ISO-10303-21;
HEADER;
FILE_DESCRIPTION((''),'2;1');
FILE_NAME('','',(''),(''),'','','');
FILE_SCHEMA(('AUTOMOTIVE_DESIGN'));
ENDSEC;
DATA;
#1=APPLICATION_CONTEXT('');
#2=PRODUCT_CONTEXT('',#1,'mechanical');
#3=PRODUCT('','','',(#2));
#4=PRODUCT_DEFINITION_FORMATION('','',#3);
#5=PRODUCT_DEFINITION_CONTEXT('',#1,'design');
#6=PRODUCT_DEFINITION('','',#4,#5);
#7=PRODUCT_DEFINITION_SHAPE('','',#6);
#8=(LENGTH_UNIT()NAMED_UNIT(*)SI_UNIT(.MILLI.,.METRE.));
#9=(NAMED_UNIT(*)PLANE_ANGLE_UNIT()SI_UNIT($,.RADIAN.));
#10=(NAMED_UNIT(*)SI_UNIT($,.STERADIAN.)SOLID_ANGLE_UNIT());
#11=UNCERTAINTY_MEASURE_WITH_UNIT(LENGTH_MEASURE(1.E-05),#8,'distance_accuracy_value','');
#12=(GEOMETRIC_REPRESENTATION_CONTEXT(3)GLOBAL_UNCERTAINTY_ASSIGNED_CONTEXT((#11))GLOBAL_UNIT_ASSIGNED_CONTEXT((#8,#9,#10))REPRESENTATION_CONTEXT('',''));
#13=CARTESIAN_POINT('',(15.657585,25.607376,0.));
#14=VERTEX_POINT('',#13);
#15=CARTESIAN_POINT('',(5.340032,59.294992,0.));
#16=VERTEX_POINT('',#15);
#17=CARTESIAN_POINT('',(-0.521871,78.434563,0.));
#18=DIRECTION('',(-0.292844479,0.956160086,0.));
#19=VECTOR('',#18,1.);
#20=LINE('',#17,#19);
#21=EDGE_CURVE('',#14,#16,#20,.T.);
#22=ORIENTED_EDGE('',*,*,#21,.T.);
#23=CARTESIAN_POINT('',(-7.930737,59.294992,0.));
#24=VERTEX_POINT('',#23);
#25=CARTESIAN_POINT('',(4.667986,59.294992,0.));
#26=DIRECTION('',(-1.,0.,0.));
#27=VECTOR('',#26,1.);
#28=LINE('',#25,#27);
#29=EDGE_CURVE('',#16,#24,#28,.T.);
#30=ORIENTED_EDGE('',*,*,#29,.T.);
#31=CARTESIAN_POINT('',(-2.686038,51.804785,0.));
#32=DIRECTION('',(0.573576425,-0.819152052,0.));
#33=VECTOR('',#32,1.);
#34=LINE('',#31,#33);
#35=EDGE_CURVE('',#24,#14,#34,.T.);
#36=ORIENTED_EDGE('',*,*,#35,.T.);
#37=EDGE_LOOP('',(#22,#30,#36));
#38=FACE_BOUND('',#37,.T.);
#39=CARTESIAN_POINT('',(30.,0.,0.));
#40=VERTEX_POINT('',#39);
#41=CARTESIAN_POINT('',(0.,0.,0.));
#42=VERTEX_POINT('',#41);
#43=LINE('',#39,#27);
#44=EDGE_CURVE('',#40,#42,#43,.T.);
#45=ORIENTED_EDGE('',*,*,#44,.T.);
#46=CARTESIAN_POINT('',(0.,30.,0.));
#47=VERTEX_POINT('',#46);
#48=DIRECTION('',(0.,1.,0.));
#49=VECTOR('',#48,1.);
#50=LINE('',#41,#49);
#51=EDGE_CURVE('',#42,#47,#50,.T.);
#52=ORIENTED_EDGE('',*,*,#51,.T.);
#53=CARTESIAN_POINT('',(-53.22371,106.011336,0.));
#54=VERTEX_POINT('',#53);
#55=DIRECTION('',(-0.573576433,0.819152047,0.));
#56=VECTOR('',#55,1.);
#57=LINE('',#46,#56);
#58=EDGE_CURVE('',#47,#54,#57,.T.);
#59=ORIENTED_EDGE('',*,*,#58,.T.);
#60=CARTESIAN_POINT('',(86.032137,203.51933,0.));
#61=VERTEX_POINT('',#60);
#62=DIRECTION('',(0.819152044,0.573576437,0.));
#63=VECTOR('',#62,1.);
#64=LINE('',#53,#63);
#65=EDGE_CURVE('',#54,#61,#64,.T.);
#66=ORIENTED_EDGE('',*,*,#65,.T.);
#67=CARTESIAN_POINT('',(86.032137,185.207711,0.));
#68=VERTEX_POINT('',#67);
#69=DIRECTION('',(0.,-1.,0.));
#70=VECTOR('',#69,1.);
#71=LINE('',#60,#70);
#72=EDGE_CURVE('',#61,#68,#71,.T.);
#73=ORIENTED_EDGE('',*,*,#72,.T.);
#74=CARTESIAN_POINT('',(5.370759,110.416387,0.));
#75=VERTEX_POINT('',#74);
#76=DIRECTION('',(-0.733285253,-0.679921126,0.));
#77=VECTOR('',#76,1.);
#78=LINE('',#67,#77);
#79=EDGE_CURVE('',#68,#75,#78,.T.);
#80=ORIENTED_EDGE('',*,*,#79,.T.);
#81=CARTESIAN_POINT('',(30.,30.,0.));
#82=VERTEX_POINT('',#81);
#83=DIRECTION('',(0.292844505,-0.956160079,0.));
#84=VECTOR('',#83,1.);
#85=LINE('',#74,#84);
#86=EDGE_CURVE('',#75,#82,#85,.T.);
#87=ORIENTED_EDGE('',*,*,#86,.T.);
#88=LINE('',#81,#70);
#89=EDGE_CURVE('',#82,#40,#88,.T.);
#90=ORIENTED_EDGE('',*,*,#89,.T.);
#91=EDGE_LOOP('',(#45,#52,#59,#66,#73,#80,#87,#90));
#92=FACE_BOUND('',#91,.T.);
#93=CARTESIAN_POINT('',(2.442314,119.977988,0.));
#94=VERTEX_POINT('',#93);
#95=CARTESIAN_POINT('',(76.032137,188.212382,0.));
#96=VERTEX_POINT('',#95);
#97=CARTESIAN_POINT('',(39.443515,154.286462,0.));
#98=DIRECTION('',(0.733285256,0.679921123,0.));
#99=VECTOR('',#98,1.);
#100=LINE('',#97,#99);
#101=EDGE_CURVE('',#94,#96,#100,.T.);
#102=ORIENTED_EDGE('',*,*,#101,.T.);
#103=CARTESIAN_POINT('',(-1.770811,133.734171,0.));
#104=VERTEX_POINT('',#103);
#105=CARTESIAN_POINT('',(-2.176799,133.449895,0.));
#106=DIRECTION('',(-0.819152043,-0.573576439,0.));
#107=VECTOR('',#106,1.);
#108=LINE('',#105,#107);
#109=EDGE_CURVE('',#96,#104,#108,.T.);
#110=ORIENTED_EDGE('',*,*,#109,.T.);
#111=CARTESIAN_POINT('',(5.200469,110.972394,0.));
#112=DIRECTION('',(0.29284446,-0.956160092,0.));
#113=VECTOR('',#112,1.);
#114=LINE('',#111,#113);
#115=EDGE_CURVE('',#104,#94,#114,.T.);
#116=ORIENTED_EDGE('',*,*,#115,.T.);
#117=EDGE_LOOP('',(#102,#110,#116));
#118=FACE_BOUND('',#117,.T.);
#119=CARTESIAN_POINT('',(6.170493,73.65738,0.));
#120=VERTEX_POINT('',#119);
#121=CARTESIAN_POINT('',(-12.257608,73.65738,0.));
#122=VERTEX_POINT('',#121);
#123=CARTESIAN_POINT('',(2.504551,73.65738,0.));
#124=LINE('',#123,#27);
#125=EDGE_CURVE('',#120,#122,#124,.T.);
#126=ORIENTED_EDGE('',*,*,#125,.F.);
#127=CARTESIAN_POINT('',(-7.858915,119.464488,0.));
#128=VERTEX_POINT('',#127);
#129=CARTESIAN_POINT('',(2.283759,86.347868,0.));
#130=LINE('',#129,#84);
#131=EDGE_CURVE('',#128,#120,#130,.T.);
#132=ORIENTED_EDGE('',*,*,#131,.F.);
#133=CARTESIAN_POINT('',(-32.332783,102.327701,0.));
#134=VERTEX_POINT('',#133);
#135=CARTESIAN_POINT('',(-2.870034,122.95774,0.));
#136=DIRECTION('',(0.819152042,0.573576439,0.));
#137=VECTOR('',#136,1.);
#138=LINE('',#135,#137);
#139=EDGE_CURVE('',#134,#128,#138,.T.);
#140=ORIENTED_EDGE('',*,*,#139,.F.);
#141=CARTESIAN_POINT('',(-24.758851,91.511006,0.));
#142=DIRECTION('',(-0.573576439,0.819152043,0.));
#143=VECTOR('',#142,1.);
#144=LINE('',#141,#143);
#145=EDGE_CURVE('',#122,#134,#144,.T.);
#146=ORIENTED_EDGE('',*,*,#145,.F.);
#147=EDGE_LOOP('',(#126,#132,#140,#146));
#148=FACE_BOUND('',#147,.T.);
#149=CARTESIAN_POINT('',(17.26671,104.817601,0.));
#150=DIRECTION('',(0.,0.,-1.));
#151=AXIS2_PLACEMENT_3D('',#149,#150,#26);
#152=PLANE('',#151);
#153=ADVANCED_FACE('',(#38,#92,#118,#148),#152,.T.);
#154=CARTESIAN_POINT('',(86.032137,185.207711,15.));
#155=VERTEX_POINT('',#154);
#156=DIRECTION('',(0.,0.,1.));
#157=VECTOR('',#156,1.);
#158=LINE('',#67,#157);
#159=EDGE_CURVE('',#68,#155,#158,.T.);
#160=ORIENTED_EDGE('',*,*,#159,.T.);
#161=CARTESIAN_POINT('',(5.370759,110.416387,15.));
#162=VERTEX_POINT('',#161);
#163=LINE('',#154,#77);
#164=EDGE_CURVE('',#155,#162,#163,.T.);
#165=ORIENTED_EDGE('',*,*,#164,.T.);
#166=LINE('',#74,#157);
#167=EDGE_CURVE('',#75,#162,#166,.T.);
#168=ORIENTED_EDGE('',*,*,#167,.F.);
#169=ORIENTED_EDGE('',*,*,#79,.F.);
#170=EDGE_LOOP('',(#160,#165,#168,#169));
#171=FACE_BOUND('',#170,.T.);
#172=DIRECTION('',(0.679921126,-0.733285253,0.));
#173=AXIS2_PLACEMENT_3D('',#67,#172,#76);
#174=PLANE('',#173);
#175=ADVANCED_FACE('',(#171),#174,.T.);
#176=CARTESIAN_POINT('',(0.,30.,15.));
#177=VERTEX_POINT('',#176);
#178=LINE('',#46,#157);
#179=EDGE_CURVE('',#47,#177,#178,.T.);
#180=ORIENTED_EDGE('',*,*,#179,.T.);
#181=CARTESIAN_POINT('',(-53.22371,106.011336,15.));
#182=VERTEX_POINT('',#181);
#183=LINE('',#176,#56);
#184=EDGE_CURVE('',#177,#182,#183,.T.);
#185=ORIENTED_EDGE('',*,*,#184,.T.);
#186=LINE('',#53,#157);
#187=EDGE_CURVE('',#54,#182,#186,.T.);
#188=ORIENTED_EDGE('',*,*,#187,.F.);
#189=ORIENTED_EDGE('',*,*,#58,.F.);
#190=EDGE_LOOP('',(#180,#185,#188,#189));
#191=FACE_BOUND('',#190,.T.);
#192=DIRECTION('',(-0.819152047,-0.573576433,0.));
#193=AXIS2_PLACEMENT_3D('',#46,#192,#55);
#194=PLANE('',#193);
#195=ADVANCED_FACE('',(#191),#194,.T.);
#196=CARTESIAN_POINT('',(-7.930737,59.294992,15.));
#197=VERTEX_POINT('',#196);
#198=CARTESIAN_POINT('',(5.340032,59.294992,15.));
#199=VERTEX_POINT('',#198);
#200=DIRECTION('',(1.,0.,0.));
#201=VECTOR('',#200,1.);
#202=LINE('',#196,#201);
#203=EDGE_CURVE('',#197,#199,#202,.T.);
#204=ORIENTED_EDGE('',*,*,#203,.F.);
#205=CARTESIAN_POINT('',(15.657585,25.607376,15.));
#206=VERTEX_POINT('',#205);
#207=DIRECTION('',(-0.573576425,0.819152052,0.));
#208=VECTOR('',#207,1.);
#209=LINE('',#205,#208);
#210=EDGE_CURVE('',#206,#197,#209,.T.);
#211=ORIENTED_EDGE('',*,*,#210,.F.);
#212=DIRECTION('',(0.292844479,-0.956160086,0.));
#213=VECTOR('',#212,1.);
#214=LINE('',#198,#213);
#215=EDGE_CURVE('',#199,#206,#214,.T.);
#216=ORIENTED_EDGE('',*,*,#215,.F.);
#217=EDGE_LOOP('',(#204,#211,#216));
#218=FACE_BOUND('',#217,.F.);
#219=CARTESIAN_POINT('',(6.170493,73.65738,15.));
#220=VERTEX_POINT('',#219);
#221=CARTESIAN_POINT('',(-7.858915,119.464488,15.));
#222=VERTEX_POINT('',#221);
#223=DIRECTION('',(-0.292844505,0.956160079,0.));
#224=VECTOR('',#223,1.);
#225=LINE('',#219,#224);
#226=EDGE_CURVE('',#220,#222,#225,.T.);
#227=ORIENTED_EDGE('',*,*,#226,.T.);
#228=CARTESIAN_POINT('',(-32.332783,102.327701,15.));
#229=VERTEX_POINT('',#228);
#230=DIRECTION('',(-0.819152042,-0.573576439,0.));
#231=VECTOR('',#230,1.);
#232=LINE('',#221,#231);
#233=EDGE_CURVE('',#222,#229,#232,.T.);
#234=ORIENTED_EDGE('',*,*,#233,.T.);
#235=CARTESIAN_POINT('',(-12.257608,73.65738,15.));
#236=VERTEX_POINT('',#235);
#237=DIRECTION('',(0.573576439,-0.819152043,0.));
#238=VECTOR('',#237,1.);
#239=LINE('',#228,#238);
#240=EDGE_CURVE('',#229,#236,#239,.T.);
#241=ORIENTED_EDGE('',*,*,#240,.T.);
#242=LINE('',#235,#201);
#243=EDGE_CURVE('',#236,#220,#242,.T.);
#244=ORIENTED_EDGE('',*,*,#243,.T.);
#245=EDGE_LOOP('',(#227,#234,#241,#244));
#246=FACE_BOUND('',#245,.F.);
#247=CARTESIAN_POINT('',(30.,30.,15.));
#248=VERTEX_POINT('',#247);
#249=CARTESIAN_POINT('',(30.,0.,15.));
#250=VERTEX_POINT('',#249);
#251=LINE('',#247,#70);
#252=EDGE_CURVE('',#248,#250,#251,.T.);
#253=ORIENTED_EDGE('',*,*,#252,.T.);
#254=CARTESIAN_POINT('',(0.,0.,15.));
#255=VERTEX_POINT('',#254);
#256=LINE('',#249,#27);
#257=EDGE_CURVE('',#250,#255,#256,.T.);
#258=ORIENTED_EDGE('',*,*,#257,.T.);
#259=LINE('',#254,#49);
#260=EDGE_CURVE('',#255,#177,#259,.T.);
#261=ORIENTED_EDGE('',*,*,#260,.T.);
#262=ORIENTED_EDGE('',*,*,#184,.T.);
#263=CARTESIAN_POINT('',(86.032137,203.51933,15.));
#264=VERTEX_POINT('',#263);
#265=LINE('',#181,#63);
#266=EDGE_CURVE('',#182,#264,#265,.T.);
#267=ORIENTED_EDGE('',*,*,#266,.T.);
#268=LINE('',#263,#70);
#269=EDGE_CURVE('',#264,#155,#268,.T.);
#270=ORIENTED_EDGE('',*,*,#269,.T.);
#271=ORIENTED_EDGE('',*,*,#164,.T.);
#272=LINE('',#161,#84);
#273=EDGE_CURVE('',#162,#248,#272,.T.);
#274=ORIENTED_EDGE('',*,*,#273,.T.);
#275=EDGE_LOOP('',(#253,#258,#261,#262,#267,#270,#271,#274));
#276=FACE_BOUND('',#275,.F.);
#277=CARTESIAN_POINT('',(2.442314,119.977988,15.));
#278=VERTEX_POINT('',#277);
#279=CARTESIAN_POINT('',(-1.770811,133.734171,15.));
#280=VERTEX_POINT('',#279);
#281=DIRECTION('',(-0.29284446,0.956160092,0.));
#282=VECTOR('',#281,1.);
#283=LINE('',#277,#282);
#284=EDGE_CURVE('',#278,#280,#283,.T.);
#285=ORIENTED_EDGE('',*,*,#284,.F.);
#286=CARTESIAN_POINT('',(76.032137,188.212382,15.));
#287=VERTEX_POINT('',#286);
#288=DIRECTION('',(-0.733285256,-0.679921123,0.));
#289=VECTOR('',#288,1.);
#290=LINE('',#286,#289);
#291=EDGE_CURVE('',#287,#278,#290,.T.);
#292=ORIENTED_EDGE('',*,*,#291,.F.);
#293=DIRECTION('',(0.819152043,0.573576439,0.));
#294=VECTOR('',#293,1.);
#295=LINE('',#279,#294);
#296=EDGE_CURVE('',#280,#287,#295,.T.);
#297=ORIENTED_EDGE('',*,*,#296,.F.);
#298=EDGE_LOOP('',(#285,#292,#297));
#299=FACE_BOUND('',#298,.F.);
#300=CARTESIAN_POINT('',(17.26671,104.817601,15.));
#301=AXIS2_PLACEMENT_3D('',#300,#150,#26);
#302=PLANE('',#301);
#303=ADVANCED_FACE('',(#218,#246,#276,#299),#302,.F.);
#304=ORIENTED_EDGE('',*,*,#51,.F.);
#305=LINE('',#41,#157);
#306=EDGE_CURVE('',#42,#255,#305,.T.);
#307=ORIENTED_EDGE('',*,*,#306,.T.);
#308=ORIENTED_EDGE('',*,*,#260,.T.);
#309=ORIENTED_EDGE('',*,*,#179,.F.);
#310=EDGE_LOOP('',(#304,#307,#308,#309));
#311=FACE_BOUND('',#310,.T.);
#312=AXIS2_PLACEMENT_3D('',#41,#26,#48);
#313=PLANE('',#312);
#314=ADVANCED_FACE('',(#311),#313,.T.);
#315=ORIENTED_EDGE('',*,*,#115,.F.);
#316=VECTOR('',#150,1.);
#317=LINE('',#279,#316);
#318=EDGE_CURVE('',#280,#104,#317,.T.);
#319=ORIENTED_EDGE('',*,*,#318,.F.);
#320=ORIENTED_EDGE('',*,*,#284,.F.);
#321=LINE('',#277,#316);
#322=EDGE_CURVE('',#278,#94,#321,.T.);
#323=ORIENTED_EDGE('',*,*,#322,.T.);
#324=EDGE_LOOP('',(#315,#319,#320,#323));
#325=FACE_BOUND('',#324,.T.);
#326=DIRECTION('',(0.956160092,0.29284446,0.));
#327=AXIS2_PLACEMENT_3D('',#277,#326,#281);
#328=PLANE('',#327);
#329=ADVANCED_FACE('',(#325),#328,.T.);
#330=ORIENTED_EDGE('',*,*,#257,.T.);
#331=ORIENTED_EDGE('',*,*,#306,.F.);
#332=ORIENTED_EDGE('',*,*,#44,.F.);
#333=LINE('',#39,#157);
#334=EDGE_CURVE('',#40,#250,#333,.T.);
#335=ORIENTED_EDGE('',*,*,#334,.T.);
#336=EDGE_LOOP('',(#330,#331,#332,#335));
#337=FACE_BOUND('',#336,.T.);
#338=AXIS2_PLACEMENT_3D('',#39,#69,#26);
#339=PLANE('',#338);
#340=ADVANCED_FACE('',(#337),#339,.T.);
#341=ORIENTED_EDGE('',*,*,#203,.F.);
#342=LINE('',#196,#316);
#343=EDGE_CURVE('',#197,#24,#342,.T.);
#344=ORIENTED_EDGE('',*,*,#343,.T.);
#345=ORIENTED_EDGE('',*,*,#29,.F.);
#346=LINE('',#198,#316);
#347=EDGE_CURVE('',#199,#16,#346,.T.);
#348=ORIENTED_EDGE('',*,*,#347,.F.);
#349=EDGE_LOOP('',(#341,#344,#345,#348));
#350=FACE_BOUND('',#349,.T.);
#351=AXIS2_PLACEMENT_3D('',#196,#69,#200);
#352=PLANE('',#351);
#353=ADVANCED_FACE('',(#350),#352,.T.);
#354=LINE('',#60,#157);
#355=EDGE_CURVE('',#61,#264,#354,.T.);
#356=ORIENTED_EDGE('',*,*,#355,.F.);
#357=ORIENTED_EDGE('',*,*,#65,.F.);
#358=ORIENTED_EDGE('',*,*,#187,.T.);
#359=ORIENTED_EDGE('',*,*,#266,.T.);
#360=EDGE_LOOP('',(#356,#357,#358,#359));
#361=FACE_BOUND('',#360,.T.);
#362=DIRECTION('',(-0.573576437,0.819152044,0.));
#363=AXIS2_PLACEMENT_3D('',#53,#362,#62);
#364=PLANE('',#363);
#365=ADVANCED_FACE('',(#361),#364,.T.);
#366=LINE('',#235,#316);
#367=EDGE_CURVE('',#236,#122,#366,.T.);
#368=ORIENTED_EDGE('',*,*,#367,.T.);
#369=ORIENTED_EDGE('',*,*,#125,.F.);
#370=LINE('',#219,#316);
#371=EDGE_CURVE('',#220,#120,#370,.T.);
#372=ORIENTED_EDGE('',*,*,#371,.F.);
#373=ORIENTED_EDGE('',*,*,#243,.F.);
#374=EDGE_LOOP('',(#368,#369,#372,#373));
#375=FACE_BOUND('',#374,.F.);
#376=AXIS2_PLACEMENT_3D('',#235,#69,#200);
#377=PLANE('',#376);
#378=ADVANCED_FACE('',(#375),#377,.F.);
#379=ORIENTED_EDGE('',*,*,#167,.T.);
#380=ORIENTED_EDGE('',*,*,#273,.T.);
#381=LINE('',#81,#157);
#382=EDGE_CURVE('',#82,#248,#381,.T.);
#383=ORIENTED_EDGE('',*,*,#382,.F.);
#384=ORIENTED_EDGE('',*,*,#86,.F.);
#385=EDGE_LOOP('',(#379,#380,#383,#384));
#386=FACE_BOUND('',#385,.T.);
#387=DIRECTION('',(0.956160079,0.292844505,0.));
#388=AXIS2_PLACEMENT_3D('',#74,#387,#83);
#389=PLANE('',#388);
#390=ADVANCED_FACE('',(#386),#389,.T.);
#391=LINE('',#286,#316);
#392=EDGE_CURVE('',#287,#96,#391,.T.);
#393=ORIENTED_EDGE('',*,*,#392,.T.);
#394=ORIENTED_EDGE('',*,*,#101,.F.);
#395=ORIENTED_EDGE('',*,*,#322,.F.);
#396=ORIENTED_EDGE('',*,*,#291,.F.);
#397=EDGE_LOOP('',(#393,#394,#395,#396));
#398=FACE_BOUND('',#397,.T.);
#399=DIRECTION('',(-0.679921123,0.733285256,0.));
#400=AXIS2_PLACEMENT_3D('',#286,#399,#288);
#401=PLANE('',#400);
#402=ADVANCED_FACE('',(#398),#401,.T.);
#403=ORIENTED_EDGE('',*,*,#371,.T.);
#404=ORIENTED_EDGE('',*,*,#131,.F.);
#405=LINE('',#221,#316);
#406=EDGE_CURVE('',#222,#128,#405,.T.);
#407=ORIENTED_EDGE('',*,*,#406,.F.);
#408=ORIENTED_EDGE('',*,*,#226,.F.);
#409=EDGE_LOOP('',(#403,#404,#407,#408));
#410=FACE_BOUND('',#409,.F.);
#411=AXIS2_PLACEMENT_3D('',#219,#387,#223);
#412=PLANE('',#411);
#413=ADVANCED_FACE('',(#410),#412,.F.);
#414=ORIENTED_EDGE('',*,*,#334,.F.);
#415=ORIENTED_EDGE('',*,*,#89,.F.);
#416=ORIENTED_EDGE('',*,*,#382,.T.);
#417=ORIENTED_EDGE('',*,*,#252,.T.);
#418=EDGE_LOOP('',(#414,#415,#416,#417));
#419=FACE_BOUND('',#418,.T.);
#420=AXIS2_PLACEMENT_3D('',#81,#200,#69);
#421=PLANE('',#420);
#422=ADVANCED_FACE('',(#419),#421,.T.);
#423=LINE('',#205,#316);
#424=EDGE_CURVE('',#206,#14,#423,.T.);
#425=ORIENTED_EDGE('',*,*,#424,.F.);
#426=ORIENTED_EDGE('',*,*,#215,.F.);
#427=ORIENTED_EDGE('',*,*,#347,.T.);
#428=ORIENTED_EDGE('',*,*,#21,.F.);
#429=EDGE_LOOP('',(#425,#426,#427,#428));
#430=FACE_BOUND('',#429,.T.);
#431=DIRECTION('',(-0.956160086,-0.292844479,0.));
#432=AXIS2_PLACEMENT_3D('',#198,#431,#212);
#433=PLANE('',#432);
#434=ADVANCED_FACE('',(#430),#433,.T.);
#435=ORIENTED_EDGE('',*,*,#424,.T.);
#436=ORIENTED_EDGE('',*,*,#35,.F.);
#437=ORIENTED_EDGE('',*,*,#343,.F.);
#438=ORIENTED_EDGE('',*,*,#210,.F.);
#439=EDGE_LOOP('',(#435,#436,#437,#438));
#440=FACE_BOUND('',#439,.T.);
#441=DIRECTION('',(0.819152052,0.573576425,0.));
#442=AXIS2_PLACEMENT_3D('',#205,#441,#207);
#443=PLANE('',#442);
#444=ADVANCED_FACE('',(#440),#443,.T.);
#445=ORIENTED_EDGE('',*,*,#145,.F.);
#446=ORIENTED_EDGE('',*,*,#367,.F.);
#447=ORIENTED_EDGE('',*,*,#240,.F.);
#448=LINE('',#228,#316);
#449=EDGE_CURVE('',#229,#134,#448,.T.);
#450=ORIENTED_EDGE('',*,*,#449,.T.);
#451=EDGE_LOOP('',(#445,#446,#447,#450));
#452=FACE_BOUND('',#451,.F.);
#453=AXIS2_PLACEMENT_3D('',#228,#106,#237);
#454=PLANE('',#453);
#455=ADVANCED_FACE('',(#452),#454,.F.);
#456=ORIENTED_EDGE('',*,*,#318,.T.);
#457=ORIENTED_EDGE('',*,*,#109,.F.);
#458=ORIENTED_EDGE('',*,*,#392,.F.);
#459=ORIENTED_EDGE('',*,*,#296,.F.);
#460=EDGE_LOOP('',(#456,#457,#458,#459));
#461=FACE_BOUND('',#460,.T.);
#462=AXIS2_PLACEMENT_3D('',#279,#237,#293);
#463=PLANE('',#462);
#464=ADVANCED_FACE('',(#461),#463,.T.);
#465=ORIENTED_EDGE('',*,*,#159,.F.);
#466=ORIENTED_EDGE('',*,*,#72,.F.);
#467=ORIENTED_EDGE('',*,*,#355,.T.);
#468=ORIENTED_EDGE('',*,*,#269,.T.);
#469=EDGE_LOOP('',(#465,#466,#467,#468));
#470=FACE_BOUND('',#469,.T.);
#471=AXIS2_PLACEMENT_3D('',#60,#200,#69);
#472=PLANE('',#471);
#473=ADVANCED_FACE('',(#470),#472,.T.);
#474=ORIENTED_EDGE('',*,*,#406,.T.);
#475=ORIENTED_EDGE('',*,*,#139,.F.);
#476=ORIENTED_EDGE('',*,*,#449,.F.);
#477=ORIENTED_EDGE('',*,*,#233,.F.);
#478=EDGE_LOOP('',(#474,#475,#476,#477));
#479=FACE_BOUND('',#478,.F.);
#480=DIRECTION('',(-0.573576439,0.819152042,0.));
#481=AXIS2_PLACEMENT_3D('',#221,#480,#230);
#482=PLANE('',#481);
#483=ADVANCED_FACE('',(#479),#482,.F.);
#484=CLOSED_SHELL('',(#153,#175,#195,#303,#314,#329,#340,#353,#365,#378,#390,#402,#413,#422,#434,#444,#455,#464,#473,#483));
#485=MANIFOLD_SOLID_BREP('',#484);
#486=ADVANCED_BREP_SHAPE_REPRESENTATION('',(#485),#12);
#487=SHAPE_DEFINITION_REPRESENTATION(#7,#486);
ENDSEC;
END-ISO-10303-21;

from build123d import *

# Parameters (mm, degrees)
PAD_DEPTH       = 15
POCKET_DEPTH    = 15.001
POCKET001_DEPTH = 15.001
POCKET002_DEPTH = 15.001


with BuildPart() as part:
    # Sketch → Pad (new body)
    with BuildSketch(Plane.XY):
        Polygon((86.032137, 203.51933), (86.032137, 185.207711), (5.370759, 110.416387), (30, 30), (30, 0), (0, 0), (0, 30), (-53.22371, 106.011336), align=None)
    extrude(amount=PAD_DEPTH)

    # Sketch001 (on Face10 of Pad) → Pocket (cut, through all)
    with BuildSketch(Plane.XY.offset(15)):
        Polygon((-32.332783, 102.327701), (-12.257608, 73.65738), (6.170493, 73.65738), (-7.858915, 119.464488), align=None)
    extrude(amount=-POCKET_DEPTH, mode=Mode.SUBTRACT)

    # Sketch002 (on Face5 of Pocket) → Pocket001 (cut, through all)
    with BuildSketch(Plane.XY.offset(15)):
        Polygon((-1.770811, 133.734171), (76.032137, 188.212382), (2.442314, 119.977988), align=None)
    extrude(amount=-POCKET001_DEPTH, mode=Mode.SUBTRACT)

    # Sketch003 (on Face5 of Pocket001) → Pocket002 (cut, through all)
    with BuildSketch(Plane.XY.offset(15)):
        Polygon((-7.930737, 59.294992), (5.340032, 59.294992), (15.657585, 25.607376), align=None)
    extrude(amount=-POCKET002_DEPTH, mode=Mode.SUBTRACT)


solid = part.part
